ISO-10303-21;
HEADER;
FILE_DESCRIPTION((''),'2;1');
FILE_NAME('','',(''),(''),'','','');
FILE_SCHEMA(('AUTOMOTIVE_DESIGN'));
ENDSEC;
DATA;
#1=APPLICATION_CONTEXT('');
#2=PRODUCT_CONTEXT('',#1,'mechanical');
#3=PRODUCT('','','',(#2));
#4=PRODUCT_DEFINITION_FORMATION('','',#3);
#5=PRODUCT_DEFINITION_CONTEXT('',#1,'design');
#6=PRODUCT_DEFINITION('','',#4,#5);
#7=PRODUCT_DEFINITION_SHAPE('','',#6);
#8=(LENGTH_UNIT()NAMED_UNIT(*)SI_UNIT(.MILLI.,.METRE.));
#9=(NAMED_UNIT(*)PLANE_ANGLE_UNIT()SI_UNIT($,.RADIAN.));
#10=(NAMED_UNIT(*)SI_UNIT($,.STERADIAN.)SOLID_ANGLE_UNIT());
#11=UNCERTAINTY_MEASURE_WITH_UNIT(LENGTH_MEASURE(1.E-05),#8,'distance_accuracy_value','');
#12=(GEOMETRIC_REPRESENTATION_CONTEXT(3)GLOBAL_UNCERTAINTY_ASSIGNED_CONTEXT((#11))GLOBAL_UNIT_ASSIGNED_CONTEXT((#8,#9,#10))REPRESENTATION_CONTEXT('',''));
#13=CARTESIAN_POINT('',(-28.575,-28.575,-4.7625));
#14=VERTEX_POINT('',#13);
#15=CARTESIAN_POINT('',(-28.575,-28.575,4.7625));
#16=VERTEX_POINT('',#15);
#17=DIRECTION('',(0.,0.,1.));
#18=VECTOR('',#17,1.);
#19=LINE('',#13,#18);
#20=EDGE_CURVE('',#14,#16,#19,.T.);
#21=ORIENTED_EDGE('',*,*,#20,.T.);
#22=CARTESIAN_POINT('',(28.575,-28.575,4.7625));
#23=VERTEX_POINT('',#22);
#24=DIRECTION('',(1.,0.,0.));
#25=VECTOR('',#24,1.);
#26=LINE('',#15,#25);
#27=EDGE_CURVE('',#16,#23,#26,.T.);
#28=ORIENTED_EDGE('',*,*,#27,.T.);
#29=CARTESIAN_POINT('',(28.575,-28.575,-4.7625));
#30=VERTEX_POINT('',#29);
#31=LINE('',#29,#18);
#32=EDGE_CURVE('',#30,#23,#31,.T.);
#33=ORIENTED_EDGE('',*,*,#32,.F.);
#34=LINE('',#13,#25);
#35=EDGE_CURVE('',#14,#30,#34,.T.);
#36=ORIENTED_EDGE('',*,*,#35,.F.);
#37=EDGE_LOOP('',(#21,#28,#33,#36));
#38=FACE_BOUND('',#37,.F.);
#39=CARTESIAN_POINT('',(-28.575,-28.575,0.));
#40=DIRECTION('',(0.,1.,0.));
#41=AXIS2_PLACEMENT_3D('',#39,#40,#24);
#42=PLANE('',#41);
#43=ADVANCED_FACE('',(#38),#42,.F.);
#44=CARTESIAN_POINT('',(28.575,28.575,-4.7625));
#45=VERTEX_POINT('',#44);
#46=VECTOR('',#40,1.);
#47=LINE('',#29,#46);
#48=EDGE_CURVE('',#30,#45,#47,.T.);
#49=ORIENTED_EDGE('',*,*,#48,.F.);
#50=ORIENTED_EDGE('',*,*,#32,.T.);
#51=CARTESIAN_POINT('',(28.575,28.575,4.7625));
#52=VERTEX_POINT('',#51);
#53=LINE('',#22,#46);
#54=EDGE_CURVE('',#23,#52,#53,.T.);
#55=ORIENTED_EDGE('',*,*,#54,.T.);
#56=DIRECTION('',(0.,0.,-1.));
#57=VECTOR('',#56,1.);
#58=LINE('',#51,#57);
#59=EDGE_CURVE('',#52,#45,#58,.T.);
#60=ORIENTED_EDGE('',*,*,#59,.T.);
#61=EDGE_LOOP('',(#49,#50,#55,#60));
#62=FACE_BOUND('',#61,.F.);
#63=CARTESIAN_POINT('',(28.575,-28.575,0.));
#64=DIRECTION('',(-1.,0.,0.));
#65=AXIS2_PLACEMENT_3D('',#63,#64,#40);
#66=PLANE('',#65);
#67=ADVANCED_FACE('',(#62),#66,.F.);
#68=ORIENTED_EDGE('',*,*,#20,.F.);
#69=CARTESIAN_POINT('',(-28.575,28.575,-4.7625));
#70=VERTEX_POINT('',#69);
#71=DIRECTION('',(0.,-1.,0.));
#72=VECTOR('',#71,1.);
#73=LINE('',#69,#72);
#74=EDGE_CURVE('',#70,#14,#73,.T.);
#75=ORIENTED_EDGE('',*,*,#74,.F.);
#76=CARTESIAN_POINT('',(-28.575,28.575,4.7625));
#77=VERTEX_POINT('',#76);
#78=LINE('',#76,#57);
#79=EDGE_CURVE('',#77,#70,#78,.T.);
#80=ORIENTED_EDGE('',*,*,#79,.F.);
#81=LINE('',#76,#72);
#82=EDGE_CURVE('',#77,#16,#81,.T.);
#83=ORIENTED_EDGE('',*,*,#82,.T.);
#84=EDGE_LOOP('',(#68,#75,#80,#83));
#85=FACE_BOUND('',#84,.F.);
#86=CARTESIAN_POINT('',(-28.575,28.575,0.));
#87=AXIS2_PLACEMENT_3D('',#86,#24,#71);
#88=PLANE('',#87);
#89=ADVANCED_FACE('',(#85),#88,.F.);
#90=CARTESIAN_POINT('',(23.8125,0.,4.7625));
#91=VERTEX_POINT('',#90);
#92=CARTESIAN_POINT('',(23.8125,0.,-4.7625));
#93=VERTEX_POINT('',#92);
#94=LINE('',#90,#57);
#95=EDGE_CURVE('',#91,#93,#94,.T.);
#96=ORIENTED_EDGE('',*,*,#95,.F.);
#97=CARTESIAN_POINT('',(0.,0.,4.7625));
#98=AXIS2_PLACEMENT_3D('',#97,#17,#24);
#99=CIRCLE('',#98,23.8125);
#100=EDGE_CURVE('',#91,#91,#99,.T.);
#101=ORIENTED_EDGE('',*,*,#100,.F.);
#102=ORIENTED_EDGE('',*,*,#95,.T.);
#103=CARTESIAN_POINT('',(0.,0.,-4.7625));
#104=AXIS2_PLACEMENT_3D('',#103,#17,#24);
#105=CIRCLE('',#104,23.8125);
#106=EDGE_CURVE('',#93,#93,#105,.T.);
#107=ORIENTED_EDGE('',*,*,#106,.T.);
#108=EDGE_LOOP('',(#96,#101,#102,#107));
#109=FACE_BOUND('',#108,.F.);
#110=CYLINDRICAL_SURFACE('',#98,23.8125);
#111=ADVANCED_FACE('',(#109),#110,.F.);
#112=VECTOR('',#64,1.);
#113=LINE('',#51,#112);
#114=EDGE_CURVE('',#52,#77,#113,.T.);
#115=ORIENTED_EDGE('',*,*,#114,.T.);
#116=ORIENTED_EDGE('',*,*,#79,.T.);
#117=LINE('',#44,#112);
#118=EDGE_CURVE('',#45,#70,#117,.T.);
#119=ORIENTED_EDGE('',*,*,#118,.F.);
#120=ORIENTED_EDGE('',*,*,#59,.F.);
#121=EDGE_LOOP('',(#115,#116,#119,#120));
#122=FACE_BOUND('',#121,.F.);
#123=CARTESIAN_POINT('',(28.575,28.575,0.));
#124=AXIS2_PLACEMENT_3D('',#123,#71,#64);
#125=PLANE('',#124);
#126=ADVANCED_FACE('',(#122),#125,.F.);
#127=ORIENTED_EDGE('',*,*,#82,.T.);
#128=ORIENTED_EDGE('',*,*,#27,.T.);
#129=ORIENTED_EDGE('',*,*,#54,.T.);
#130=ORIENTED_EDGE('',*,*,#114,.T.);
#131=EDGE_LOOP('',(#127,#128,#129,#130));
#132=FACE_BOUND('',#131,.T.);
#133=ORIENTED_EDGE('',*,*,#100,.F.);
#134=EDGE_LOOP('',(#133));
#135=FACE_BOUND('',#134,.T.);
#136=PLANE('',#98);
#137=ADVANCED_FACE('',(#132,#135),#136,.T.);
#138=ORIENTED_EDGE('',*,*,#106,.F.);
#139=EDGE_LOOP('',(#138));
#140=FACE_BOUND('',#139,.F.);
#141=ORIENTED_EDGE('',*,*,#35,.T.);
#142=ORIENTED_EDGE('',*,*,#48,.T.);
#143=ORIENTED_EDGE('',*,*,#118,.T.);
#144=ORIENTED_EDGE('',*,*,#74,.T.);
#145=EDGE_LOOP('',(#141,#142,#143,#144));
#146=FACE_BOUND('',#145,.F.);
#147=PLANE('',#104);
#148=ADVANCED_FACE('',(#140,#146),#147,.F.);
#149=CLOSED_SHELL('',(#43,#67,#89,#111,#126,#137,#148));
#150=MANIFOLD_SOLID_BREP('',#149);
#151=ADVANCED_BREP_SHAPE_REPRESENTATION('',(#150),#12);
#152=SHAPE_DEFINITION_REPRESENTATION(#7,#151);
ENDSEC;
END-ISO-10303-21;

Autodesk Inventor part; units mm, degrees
ref_plane "YZ Plane" through (0, 0, 0) normal (1, 0, 0) x (0, 1, 0)
ref_plane "XZ Plane" through (0, 0, 0) normal (0, 1, 0) x (-1, 0, 0)
ref_plane "XY Plane" through (0, 0, 0) normal (0, 0, 1) x (1, 0, 0)
sketch "Sketch1" plane through (0, 0, 0) normal (0, 0, 1) x (1, 0, 0)
  line L0 (-28.575, -28.575) -> (28.575, -28.575)
  line L1 (28.575, -28.575) -> (28.575, 28.575)
  line L2 (28.575, 28.575) -> (-28.575, 28.575)
  line L3 (-28.575, 28.575) -> (-28.575, -28.575)
  line L4 (-28.575, -28.575) -> (28.575, 28.575) construction
  line L5 (28.575, -28.575) -> (-28.575, 28.575) construction
  point P0 (0, 0)
  dimension "width" = 57.15
  dimension "length" = 57.15
extrude "Extrusion1" add sketch "Sketch1" along normal mid plane 9.525
sketch "Sketch2" plane through (0, 0, 4.7625) normal (0, 0, 1) x (1, 0, 0)
  circle A0 centre (0, 0) radius 23.8125
  dimension "d4" = 47.625
extrude "Extrusion2" cut sketch "Sketch2" against normal through all
equation "\"length\" = width"
properties part number "EL2-A-006" material "Aluminum 6061"
